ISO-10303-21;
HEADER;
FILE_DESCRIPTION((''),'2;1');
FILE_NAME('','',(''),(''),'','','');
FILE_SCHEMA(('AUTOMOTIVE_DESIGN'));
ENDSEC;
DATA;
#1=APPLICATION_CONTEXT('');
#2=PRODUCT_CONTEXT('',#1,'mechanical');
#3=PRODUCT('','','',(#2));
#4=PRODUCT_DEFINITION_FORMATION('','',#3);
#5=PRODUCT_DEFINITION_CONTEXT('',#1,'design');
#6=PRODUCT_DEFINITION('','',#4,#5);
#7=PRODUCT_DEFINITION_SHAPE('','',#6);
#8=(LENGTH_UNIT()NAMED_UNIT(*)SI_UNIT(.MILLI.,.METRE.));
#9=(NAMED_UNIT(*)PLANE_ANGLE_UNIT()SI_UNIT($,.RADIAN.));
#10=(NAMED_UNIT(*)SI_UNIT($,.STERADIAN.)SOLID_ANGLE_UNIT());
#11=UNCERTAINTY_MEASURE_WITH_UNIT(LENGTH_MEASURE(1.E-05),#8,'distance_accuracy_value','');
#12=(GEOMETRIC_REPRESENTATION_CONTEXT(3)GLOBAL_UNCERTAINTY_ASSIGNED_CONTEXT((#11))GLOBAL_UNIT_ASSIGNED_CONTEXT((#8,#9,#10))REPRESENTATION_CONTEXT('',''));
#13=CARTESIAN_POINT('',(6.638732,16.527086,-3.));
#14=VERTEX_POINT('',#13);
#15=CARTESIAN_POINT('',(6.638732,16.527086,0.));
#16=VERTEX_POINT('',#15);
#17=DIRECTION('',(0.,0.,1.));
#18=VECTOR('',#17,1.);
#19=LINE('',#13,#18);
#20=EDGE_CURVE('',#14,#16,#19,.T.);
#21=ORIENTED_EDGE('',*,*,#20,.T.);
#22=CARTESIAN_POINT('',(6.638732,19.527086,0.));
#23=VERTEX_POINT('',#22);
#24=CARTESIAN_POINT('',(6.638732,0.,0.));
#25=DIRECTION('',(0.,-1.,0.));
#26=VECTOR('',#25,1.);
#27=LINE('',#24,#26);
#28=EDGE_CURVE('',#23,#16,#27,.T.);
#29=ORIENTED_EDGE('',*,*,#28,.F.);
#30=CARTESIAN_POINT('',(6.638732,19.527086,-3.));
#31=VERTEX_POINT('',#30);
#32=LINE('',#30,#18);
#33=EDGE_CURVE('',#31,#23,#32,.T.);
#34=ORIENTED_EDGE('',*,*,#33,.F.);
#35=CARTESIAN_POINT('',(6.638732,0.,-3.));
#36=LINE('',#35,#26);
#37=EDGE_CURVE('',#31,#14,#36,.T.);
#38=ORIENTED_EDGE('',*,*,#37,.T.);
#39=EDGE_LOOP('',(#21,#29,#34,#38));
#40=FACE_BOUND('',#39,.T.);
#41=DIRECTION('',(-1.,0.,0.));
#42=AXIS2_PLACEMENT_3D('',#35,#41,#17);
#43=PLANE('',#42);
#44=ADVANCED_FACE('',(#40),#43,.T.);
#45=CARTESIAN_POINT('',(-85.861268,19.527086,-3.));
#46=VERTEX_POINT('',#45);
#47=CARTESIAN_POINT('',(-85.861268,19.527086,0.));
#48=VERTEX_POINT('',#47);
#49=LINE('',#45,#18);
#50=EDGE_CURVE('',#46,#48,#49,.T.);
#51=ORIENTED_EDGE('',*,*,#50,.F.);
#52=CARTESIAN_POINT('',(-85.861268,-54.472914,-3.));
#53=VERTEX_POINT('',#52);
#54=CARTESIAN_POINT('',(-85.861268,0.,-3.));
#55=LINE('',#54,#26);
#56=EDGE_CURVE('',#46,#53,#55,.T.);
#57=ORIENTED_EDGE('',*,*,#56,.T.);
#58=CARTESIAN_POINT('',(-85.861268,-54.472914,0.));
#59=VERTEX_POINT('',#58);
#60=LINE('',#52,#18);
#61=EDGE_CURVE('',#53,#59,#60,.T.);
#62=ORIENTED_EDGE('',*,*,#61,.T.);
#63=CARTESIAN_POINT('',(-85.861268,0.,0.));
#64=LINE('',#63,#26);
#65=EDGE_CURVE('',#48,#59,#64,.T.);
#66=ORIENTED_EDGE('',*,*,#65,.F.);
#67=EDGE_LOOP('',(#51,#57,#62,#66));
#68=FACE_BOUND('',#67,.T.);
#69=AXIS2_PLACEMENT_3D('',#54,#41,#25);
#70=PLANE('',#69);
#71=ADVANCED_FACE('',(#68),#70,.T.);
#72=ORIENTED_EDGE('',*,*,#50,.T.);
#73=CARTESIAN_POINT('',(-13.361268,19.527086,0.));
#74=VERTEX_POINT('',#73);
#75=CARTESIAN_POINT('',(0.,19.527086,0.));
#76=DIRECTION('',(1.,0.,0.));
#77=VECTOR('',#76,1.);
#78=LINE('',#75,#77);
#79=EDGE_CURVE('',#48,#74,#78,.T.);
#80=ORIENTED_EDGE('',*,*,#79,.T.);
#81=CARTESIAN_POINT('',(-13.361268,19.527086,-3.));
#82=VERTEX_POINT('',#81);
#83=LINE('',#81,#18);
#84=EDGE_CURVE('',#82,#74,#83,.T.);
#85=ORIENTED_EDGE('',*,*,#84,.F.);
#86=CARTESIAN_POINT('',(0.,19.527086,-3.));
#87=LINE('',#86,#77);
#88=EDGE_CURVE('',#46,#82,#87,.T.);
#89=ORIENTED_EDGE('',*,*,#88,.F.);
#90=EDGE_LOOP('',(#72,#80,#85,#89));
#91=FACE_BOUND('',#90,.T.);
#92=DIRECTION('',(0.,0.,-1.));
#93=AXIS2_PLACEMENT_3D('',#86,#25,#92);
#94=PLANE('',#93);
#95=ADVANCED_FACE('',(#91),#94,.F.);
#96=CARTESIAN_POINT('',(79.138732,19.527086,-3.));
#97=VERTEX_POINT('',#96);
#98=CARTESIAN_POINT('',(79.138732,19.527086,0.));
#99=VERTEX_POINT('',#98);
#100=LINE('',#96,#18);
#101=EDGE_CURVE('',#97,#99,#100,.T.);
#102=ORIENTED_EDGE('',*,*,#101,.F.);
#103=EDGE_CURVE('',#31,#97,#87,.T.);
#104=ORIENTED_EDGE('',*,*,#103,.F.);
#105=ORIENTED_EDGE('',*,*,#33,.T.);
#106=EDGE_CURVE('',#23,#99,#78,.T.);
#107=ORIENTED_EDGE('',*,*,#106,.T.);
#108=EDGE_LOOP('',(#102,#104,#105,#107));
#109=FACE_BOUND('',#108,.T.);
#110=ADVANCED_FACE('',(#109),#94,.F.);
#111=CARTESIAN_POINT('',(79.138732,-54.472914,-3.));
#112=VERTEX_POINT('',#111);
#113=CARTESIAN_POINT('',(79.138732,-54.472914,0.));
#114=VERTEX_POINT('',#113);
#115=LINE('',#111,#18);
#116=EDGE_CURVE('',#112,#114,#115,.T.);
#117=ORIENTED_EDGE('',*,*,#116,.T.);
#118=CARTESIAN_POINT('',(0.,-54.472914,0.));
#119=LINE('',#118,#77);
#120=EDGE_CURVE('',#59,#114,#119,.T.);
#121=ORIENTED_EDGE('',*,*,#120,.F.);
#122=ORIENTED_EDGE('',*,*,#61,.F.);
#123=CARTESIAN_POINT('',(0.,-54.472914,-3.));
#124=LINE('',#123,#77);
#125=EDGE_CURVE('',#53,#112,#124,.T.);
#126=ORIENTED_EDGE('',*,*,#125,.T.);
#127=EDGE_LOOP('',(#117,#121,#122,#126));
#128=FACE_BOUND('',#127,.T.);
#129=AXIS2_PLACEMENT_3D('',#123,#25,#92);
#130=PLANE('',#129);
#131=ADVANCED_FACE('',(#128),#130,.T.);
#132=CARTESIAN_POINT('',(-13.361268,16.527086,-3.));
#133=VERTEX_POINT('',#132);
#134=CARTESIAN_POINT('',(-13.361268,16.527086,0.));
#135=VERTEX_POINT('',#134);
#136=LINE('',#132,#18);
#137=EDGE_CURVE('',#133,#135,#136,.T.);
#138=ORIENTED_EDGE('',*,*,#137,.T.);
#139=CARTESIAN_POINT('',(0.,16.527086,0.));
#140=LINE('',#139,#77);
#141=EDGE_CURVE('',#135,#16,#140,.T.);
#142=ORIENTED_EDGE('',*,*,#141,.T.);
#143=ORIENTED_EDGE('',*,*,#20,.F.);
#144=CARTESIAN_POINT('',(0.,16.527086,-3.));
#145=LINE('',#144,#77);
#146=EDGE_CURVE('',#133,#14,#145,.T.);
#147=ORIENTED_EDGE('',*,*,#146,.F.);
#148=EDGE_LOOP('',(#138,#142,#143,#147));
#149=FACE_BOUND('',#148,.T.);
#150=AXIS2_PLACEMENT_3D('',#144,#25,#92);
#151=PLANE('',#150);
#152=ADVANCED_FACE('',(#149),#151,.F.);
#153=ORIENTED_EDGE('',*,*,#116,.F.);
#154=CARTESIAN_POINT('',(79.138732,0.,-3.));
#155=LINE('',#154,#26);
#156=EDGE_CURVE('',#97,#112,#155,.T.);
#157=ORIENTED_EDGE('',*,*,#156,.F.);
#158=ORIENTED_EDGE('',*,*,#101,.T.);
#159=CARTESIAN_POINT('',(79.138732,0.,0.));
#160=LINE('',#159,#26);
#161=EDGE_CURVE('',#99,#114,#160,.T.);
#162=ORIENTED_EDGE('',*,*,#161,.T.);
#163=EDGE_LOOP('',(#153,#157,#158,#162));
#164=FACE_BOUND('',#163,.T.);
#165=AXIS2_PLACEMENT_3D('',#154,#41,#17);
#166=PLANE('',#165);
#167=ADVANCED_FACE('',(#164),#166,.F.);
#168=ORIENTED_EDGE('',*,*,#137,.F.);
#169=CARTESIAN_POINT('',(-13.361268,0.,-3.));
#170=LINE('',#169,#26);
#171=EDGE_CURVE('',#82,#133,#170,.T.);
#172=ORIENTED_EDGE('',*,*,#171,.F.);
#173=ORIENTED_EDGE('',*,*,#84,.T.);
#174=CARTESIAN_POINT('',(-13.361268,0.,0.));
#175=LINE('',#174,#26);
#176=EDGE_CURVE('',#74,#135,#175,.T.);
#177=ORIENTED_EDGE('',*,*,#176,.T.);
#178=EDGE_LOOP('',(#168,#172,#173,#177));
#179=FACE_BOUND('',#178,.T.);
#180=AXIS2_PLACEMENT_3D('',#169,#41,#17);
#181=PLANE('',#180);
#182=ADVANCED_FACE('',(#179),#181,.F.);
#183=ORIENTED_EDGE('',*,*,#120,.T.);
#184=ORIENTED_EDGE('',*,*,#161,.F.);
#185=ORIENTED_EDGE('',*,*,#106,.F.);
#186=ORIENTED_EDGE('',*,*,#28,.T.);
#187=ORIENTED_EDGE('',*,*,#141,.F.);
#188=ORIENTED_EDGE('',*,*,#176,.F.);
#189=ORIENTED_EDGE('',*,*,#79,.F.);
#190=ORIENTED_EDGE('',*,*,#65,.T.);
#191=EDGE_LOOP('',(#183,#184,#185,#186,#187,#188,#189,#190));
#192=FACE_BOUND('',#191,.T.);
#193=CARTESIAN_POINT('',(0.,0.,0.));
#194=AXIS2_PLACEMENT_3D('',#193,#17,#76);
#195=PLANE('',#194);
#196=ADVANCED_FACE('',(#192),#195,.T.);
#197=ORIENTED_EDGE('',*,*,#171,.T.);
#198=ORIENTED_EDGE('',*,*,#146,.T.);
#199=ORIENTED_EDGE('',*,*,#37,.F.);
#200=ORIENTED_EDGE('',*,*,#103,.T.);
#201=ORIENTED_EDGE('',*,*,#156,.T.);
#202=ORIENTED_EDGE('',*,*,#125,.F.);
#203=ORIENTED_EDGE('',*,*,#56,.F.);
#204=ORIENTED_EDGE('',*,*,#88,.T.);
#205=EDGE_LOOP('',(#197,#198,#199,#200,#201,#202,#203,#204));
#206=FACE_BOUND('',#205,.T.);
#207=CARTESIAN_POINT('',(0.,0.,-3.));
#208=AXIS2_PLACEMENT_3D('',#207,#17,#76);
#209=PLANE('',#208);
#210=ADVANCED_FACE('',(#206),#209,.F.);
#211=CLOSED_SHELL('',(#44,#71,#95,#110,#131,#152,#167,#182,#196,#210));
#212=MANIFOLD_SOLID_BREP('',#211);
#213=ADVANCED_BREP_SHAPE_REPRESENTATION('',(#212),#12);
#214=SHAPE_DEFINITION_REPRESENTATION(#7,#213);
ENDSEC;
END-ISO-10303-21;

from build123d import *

# Parameters (mm, degrees)
RESSALTO_EXTRUS_O1_DEPTH = 3


with BuildPart() as part:
    # Esboço3 → Ressalto-extrusão1 (new body)
    with BuildSketch(Plane.XY):
        Polygon((-13.361267606, 19.527086248), (-85.861267606, 19.527086248), (-85.861267606, -54.472913752), (79.138732394, -54.472913752), (79.138732394, 19.527086248), (6.638732394, 19.527086248), (6.638732394, 16.527086248), (-13.361267606, 16.527086248), align=None)
    extrude(amount=-RESSALTO_EXTRUS_O1_DEPTH)


solid = part.part
